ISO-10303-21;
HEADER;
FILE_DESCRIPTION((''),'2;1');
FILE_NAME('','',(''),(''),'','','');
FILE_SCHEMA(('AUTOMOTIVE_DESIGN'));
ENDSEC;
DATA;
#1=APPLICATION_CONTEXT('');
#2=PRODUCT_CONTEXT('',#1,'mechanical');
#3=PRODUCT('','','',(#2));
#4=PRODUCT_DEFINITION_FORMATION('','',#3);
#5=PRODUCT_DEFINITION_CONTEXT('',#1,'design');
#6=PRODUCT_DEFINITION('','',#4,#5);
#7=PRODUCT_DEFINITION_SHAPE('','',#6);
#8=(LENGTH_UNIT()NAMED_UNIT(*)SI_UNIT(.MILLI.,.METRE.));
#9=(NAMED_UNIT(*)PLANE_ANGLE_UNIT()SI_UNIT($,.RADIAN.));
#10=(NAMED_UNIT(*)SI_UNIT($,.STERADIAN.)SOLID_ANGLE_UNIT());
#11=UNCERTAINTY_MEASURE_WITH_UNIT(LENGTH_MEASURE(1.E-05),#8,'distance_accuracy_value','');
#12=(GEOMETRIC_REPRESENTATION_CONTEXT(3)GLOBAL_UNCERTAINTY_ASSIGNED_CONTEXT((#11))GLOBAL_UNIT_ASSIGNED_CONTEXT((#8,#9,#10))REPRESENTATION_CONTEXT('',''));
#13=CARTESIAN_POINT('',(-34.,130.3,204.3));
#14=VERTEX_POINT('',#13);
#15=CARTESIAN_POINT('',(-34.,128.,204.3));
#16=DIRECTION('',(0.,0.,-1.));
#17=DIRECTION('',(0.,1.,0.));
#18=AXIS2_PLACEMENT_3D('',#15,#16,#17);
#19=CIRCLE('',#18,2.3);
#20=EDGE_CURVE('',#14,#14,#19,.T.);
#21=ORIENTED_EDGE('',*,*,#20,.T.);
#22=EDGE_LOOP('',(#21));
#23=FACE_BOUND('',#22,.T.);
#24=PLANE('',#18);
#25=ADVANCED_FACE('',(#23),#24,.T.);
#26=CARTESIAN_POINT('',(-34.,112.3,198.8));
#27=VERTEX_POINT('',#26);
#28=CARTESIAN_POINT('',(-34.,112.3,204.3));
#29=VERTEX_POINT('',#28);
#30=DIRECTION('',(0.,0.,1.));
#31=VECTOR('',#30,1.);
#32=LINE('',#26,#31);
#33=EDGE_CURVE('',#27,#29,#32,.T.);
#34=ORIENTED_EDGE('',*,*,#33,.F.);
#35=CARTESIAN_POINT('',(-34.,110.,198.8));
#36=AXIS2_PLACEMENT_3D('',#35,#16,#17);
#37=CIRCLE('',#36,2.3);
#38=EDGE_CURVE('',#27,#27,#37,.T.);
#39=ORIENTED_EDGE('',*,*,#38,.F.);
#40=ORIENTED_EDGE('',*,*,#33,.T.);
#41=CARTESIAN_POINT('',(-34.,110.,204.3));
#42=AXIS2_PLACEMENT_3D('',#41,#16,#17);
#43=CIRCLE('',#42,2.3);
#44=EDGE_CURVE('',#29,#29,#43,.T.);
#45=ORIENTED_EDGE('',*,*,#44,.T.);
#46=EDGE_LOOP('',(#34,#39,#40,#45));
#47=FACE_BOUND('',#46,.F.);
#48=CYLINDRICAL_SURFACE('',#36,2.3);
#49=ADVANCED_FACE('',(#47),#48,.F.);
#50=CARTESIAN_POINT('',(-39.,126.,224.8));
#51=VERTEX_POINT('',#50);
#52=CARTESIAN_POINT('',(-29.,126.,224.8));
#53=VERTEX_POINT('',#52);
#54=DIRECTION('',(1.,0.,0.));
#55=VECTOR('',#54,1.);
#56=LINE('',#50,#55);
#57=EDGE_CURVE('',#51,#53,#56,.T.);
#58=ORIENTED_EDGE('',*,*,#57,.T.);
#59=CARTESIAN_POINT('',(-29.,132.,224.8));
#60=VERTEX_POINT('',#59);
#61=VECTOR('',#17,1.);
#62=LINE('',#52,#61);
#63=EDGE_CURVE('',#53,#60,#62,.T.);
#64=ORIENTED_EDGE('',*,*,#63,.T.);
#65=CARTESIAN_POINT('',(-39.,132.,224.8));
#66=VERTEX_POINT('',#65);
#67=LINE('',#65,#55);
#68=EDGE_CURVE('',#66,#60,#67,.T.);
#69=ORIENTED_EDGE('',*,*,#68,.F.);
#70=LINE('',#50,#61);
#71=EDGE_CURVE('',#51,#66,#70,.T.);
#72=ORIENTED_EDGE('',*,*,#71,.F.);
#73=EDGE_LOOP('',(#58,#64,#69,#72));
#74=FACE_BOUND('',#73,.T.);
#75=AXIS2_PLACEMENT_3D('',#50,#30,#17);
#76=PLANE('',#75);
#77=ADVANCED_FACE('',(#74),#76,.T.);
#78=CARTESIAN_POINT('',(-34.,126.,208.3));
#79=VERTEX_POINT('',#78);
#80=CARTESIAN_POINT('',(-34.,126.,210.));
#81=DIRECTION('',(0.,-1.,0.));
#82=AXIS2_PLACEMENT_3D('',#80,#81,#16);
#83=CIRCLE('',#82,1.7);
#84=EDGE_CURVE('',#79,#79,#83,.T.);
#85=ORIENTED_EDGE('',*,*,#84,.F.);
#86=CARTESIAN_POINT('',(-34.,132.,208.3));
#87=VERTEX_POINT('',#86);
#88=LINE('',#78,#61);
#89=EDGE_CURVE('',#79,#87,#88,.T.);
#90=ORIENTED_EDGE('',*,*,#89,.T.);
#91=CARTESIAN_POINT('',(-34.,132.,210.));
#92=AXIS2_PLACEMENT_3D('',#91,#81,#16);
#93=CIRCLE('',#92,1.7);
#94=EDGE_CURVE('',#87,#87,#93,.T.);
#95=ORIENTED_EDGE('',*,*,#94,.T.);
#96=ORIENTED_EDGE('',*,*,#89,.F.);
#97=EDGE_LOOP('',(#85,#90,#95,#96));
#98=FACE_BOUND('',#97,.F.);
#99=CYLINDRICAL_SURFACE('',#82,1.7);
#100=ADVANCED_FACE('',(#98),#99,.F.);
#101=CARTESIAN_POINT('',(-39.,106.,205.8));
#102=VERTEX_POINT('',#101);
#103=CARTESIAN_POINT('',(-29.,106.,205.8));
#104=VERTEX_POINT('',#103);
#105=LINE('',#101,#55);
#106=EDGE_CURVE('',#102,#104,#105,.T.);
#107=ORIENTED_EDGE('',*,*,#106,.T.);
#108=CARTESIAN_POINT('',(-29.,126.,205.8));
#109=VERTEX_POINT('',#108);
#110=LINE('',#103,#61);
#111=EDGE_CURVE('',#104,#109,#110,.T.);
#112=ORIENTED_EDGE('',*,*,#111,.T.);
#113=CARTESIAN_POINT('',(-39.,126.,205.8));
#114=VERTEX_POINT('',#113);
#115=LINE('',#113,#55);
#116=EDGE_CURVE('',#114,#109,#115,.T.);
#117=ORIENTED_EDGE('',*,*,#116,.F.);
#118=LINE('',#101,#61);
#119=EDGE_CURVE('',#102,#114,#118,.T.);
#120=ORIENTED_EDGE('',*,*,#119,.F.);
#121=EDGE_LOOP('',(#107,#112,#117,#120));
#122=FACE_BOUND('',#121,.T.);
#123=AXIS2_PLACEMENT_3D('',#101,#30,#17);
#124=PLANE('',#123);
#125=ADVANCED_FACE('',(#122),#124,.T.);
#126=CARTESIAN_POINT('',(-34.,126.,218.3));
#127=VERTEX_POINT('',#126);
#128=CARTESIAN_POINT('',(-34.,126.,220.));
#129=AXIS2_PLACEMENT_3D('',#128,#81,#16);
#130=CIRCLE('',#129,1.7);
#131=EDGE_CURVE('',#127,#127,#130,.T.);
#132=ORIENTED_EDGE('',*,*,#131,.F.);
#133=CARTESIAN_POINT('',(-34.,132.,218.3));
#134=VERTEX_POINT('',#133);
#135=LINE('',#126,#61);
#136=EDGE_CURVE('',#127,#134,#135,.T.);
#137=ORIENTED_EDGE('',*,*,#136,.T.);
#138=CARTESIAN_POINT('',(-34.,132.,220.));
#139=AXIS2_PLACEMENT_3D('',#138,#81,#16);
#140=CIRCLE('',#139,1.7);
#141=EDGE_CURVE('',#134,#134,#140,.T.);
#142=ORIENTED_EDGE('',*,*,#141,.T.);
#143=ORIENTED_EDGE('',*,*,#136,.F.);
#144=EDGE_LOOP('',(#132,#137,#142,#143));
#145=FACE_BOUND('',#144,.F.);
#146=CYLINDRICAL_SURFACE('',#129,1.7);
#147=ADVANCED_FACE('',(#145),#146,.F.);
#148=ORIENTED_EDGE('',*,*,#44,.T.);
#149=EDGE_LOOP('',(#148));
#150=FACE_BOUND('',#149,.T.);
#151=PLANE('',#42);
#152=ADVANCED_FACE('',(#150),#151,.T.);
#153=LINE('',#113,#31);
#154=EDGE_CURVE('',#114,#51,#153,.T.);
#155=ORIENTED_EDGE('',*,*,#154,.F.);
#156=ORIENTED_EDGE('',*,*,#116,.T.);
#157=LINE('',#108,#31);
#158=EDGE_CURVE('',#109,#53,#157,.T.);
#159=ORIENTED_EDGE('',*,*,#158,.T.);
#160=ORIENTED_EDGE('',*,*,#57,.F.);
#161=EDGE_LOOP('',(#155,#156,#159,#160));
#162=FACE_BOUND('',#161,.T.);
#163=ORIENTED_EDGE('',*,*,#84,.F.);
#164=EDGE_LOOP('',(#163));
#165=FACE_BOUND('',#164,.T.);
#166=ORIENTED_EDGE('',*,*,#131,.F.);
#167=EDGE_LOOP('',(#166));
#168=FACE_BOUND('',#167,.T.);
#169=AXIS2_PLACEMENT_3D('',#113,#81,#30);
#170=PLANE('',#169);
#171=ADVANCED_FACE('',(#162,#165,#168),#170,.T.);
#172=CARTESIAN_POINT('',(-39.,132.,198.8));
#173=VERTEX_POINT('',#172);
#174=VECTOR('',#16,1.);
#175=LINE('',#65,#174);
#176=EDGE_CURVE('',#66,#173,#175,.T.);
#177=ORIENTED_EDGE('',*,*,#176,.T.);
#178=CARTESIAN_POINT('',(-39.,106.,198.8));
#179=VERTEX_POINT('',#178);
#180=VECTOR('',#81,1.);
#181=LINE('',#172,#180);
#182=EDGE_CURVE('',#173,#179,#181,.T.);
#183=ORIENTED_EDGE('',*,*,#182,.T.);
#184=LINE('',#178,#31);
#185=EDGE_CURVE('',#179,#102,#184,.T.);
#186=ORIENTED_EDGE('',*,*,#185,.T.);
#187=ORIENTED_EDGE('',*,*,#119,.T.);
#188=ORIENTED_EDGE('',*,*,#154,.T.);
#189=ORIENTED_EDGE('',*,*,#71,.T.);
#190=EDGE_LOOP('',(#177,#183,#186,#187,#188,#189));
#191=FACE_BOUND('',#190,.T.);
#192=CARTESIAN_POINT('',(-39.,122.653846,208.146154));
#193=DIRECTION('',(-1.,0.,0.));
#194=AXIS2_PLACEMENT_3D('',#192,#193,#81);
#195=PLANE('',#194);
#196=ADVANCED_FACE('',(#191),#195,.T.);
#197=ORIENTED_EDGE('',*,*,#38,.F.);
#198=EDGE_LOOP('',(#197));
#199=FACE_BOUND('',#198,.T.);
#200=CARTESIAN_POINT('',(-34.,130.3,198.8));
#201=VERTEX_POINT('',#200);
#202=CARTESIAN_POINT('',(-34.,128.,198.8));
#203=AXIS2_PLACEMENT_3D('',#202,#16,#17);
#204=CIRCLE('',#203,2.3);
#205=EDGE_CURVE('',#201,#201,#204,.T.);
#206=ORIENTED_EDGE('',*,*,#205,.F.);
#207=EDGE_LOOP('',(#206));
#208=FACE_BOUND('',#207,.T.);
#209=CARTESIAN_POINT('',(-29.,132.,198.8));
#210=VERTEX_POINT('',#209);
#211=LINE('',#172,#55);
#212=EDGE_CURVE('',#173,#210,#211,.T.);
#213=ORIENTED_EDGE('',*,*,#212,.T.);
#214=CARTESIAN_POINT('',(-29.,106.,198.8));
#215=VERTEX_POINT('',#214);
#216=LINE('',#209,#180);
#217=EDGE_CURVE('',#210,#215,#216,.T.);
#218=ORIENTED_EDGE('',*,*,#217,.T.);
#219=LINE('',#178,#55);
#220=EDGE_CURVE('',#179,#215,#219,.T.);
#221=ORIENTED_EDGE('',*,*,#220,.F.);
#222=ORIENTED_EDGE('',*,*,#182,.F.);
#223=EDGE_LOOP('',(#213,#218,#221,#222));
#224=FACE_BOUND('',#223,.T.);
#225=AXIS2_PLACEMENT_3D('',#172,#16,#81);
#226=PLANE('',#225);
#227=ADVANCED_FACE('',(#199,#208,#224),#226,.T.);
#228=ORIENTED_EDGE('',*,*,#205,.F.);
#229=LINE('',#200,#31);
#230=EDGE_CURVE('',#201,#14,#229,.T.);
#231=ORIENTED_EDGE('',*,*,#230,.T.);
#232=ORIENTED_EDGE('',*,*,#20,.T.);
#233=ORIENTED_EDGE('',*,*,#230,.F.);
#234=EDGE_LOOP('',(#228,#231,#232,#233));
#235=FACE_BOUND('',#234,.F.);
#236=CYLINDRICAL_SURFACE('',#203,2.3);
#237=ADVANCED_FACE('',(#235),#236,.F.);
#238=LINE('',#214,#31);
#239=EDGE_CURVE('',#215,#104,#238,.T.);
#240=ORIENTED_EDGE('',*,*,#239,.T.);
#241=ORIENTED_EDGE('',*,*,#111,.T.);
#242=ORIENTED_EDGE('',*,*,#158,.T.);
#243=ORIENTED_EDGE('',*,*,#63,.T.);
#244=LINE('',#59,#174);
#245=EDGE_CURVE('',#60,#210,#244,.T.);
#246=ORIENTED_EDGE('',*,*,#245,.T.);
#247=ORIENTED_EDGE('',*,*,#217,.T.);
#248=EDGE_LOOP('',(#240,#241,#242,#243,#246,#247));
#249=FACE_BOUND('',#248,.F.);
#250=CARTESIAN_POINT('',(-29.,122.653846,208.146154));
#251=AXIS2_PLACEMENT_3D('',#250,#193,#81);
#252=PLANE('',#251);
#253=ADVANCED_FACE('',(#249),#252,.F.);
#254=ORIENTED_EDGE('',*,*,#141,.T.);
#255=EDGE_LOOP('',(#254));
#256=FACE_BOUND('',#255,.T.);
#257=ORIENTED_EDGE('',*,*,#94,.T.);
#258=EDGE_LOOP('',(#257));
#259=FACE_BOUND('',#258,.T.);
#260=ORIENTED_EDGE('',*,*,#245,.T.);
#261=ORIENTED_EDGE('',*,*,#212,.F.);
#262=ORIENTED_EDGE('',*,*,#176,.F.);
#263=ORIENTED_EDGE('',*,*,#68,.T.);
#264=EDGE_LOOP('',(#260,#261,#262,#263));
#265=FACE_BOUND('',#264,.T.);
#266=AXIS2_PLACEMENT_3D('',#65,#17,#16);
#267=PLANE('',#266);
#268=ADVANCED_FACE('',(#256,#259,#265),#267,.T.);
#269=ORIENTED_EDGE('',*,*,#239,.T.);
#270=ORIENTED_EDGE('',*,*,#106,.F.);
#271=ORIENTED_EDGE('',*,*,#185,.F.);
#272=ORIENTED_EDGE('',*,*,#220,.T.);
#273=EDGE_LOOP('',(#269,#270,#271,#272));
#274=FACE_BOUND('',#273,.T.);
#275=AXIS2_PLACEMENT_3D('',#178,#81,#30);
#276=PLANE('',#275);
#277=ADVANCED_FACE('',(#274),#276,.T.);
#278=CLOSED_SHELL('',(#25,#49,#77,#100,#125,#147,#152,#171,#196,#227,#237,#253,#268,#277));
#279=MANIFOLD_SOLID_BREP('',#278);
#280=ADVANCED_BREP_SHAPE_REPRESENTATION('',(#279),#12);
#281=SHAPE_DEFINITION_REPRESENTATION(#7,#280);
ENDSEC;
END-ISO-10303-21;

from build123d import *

# Parameters (mm, degrees)
PAD038_DEPTH    = 10
SKETCH109_R     = 2.3
POCKET034_DEPTH = 5.5
SKETCH110_R     = 1.7
HOLE021_DEPTH   = 25


with BuildPart() as part:
    # Sketch108 → Pad038 (new body)
    with BuildSketch(Plane.YZ):
        Polygon((106, 198.8), (106, 205.8), (126, 205.8), (126, 224.8), (132, 224.8), (132, 198.8), align=None)
    extrude(amount=PAD038_DEPTH)

    # Sketch109 (on Face6 of Pad038) → Pocket034 (cut)
    with BuildSketch(Plane.YX.offset(-198.8)):
        with Locations((128, 5)):
            Circle(SKETCH109_R)
        with Locations((110, 5)):
            Circle(SKETCH109_R)
    extrude(amount=-POCKET034_DEPTH, mode=Mode.SUBTRACT)

    # Sketch110 (on Face9 of Pocket034) → Hole021 (cut)
    with BuildSketch(Plane(origin=(0, 126, 0), x_dir=(0, 0, -1), z_dir=(0, -1, 0))):
        with Locations((-220, 5)):
            Circle(SKETCH110_R)
        with Locations((-210, 5)):
            Circle(SKETCH110_R)
    extrude(amount=-HOLE021_DEPTH, mode=Mode.SUBTRACT)


with BuildPart() as part_1:
    # Body015 placement: moved
    add(part.part.moved(Location((-39, 0, 0))))


solid = part_1.part
